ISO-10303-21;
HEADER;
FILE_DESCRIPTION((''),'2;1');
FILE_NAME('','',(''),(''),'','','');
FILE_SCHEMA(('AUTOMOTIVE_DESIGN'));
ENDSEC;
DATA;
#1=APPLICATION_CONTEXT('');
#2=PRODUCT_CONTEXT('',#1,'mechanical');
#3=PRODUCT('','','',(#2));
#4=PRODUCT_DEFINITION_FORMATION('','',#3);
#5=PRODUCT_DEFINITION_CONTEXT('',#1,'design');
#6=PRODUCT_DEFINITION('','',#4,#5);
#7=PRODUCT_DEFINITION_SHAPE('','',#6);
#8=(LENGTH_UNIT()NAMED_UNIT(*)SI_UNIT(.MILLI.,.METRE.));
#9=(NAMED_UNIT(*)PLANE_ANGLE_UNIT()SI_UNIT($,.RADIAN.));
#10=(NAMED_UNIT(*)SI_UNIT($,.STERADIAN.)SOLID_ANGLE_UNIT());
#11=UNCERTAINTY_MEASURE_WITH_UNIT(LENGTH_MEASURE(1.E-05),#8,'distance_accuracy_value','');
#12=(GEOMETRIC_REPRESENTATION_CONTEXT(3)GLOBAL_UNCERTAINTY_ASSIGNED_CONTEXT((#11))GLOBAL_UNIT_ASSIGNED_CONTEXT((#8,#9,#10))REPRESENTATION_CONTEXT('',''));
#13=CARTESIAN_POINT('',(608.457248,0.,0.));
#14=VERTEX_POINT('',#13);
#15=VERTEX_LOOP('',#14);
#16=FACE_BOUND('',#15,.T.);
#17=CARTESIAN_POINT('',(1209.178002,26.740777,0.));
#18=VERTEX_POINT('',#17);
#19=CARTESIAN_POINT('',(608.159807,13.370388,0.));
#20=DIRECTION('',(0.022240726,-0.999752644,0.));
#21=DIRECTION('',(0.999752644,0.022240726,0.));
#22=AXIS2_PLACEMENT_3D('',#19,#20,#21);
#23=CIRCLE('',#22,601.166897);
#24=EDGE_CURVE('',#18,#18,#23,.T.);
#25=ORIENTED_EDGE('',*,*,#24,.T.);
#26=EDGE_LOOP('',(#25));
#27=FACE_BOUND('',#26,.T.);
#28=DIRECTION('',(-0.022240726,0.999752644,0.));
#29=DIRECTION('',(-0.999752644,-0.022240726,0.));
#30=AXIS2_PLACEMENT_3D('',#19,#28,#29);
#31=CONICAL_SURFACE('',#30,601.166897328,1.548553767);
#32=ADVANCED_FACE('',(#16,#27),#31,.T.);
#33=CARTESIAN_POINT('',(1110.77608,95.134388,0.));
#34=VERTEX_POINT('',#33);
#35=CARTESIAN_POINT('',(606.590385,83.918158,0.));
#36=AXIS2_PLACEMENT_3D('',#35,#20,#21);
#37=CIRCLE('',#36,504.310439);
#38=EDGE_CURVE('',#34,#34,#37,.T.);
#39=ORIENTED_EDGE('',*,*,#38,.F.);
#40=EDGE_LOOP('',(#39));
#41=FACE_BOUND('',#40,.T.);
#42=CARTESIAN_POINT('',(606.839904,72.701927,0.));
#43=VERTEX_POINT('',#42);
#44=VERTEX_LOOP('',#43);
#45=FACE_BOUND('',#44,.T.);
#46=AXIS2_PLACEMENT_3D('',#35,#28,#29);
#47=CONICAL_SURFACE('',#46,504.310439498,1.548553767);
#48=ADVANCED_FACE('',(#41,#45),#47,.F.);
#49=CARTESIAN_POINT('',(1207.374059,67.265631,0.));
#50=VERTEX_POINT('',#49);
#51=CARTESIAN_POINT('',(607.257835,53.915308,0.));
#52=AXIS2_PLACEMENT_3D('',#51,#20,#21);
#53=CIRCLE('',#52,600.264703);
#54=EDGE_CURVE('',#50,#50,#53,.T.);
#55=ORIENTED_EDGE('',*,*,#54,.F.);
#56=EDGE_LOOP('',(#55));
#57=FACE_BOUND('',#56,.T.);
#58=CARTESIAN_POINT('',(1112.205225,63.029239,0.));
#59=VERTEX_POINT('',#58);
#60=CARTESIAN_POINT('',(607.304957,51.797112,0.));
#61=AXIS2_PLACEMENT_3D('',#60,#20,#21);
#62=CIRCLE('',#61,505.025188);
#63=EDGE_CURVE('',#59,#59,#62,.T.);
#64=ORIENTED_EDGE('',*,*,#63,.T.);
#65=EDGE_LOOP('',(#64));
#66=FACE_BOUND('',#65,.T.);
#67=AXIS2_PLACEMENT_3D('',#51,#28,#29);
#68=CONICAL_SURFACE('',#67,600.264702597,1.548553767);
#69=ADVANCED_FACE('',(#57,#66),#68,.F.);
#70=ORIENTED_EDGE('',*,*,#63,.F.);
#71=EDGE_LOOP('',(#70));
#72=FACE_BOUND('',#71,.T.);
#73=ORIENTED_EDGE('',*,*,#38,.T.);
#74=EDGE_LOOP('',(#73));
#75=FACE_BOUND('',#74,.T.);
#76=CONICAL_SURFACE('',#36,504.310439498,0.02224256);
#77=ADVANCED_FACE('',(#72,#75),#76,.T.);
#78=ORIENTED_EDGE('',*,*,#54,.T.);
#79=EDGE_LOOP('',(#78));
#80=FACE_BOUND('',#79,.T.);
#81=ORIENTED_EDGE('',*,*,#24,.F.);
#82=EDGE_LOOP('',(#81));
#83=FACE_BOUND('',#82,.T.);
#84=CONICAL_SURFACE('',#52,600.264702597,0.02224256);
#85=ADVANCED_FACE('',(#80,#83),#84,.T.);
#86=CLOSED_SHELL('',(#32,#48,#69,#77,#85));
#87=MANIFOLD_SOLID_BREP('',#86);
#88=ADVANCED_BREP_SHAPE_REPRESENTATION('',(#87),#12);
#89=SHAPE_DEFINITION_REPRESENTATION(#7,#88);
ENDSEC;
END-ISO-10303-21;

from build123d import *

# Parameters (mm, degrees)
SCALE1_SCALE = 0.1


with BuildPart() as part:
    # Sketch1 → Revolve1 (revolve)
    with BuildSketch(Plane.XY, mode=Mode.PRIVATE) as revolve1_sk:
        Polygon((71.416114258, 0), (6084.572475095, 0), (6075.548295604, 405.64985283), (1024.046894476, 405.64985283), (71.416114258, 405.64985283), align=None)
        Polygon((1024.046894476, 405.64985283), (6075.548295604, 405.64985283), (6068.399037919, 727.019272662), (1024.046894476, 727.019272662), align=None)
    revolve(revolve1_sk.sketch.rotate(Axis((6084.572475095, 0, 0), (-0.022240726201759216, 0.9997526444566268, 0)), 180), axis=Axis((6084.572475095, 0, 0), (-0.022240726201759216, 0.9997526444566268, 0)))


with BuildPart() as part_1:
    # Scale1: scaled about (0, 0, 0)
    add(part.part.scale(SCALE1_SCALE))


solid = part_1.part
